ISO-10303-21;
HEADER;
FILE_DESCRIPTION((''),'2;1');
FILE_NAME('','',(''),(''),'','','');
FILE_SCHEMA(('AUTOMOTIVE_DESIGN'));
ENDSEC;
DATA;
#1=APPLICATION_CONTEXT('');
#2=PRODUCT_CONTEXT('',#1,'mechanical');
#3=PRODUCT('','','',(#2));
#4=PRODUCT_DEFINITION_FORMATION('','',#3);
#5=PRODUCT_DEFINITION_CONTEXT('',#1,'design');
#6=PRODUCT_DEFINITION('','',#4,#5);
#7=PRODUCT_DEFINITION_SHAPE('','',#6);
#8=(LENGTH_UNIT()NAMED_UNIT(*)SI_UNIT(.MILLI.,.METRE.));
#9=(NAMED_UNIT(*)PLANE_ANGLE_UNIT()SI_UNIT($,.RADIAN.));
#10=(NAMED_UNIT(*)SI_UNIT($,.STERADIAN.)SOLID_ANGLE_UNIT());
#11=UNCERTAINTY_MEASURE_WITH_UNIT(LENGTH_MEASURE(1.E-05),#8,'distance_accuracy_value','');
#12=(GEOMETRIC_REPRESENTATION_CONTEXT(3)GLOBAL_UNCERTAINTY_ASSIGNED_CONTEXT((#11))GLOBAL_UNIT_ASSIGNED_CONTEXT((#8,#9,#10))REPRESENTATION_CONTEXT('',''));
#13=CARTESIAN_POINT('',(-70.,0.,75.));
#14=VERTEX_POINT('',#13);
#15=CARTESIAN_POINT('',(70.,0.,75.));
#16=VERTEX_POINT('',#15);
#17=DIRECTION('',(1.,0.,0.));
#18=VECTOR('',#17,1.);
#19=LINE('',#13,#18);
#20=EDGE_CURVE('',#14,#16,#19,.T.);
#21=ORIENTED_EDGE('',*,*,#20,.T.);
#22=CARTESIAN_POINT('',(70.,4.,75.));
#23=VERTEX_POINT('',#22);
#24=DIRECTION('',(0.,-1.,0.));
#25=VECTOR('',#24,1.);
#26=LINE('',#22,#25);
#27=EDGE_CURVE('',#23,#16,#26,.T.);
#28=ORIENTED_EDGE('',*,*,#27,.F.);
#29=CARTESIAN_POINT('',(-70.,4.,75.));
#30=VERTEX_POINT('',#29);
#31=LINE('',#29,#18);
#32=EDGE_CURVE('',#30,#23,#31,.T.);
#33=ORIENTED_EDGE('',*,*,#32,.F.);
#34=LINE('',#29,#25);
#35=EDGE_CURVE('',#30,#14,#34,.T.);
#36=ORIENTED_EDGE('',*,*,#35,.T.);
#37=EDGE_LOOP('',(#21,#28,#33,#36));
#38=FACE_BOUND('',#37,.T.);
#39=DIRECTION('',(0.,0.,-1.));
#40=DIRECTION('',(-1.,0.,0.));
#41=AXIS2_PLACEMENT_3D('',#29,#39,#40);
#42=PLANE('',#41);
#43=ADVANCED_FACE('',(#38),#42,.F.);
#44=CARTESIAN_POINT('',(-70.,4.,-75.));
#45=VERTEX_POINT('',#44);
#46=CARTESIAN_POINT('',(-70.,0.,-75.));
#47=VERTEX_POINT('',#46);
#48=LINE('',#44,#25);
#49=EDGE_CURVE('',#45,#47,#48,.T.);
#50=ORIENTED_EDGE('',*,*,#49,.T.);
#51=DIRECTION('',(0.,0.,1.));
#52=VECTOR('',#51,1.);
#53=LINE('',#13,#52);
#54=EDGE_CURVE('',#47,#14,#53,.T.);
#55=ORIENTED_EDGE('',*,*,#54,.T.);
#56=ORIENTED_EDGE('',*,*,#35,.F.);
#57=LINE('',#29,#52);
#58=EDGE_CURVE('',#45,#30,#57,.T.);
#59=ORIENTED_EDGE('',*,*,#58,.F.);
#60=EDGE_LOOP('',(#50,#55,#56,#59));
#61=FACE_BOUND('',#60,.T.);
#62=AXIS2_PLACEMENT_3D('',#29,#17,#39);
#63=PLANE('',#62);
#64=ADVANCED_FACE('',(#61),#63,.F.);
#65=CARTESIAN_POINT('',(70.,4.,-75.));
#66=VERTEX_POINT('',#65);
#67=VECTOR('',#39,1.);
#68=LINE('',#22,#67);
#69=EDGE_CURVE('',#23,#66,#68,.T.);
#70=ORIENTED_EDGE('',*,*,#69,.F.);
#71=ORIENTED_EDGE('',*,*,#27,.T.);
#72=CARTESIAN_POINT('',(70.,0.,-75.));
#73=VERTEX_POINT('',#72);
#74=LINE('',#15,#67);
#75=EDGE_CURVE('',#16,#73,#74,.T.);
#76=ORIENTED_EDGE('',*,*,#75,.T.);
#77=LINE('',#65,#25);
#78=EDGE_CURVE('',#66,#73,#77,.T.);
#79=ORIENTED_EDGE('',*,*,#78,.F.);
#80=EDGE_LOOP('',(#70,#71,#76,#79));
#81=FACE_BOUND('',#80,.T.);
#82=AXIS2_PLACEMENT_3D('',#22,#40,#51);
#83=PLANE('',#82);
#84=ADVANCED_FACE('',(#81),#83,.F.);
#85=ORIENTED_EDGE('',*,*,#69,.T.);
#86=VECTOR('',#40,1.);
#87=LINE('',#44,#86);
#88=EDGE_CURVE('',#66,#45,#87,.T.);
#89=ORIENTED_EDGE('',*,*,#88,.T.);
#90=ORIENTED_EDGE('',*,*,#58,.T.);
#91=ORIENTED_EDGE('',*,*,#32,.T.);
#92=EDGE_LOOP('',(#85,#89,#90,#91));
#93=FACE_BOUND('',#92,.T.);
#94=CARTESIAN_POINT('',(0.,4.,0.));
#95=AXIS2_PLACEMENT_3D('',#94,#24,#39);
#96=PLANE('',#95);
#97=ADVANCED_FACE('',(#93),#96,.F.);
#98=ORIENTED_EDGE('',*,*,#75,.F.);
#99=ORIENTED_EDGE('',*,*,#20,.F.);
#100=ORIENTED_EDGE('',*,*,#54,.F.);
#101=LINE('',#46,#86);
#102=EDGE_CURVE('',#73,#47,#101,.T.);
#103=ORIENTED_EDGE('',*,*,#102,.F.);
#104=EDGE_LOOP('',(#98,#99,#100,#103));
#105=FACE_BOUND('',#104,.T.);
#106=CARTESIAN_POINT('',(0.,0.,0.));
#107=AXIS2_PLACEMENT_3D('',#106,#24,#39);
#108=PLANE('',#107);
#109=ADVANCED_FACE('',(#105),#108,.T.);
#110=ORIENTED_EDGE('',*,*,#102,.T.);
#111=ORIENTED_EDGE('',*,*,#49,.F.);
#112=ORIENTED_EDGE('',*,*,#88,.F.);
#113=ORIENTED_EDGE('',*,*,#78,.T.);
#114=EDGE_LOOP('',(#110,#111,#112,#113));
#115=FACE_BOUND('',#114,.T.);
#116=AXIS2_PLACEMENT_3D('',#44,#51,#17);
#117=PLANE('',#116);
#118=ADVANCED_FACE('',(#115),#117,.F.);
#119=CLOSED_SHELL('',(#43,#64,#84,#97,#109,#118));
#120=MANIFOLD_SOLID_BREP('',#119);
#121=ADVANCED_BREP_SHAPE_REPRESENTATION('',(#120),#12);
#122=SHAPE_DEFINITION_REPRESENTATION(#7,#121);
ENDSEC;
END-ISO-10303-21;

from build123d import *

# Parameters (mm, degrees)
SKETCH1_W  = 140
SKETCH1_H  = 150
BODY_DEPTH = 4


with BuildPart() as part:
    # Sketch1 → body (new body)
    with BuildSketch(Plane(origin=(0, 0, 0), x_dir=(1, 0, 0), z_dir=(0, 1, 0))):
        Rectangle(SKETCH1_W, SKETCH1_H)
    extrude(amount=BODY_DEPTH)


solid = part.part
